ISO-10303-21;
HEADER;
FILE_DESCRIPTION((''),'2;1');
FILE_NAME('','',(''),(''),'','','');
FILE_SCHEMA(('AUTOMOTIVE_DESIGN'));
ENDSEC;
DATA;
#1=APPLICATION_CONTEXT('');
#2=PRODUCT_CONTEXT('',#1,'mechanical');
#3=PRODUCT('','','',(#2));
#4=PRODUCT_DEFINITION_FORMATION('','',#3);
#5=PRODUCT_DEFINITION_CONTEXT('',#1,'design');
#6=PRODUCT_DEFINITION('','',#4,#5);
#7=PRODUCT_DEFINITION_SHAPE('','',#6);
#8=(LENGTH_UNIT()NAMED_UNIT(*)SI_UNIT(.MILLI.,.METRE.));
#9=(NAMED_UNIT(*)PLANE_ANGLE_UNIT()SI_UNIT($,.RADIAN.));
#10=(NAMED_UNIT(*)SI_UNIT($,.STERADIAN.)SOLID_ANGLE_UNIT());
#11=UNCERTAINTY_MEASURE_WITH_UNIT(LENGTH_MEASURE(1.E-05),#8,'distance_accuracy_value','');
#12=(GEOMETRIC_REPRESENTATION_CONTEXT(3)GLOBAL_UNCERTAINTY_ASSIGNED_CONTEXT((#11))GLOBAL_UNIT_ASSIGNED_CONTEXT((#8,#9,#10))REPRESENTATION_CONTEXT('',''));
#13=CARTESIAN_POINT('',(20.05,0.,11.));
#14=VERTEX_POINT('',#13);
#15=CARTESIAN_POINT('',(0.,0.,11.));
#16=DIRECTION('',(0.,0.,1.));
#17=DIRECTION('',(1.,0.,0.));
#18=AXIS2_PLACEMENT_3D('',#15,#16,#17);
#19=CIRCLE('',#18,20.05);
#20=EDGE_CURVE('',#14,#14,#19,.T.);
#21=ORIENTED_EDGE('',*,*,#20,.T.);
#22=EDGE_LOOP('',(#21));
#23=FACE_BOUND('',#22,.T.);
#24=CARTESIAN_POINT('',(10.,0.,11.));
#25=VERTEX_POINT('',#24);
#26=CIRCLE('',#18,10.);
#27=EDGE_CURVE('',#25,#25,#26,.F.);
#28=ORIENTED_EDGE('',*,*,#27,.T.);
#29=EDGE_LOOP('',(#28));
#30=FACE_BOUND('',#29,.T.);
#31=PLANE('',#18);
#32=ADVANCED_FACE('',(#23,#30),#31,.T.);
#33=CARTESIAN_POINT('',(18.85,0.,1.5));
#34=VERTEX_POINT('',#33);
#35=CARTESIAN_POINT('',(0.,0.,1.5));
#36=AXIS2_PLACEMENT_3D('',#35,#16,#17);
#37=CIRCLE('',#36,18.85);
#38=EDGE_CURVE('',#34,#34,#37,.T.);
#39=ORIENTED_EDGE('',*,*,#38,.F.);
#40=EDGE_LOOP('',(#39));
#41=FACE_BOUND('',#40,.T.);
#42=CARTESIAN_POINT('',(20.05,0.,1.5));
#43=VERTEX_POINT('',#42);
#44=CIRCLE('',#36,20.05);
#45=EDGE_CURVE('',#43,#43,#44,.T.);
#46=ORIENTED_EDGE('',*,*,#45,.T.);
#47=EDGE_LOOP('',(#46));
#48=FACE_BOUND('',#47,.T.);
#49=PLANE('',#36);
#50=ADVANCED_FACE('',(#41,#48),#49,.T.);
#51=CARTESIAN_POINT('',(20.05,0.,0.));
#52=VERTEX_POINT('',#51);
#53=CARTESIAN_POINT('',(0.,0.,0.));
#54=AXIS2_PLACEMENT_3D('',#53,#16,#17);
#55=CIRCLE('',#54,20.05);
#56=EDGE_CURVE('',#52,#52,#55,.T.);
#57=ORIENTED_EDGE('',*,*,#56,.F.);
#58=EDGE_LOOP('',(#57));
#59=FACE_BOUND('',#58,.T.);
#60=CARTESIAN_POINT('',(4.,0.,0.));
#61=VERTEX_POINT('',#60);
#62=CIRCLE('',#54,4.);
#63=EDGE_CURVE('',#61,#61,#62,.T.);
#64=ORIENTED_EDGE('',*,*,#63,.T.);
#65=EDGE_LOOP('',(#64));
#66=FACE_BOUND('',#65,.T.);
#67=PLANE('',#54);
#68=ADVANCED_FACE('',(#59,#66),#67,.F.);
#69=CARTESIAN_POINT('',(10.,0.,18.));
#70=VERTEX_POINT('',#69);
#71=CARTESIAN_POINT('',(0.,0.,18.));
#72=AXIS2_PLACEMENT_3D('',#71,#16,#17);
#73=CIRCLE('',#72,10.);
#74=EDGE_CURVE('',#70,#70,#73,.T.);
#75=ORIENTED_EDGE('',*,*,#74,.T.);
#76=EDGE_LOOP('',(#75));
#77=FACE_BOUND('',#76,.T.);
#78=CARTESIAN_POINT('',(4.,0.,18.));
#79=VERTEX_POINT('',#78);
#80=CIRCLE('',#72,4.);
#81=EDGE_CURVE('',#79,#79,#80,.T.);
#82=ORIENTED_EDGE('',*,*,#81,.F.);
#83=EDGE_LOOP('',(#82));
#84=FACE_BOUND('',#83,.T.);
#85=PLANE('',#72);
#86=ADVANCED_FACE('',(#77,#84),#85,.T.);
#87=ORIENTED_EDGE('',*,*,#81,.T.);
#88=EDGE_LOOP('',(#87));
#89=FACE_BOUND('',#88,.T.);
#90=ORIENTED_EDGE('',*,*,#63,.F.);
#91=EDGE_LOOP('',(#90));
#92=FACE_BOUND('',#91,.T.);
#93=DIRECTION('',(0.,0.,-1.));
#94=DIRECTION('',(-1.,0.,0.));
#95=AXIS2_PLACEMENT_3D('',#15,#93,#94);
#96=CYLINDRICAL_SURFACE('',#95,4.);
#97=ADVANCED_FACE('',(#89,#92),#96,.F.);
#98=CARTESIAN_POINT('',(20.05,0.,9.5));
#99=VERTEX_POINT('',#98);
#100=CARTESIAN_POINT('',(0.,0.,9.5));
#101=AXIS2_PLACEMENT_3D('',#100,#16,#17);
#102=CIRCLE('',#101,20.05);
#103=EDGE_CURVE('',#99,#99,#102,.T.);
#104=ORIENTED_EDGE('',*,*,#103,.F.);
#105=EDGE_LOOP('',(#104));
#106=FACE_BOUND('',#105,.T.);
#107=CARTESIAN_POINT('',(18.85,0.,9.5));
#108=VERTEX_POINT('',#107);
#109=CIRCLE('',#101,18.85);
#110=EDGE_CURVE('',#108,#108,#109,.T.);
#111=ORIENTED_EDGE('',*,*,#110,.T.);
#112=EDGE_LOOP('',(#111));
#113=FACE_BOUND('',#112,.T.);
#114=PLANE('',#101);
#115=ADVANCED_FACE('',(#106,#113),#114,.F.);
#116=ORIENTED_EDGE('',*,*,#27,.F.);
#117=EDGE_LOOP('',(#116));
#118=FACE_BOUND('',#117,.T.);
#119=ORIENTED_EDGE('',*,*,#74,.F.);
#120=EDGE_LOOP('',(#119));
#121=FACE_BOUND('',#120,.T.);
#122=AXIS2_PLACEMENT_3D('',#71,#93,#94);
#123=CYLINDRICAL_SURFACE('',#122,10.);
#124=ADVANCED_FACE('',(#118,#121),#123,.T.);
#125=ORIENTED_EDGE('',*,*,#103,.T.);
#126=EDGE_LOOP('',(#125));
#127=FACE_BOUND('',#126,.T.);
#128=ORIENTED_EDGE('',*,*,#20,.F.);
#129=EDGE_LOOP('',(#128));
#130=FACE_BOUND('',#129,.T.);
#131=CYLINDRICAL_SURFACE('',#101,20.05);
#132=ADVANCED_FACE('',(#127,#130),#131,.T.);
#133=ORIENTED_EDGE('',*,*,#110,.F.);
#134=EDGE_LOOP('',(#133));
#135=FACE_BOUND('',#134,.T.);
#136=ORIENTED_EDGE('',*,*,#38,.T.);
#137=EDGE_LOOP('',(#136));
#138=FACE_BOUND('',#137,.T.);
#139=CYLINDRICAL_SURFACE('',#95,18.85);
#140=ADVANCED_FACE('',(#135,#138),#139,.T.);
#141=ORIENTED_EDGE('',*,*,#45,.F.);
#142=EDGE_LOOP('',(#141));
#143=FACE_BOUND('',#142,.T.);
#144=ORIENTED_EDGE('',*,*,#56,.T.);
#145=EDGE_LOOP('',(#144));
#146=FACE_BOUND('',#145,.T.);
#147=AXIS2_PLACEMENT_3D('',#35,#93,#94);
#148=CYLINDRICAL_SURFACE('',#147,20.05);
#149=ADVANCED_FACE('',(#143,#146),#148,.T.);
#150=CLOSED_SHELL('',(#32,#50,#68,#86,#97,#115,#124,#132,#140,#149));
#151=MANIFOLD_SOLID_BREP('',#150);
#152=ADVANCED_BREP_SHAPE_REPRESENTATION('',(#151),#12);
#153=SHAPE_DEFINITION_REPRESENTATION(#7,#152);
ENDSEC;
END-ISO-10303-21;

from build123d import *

# Parameters (mm, degrees)
SKETCH1_R           = 18.85
SKETCH1_R_2         = 4
BOSS_EXTRUDE1_DEPTH = 11
SKETCH1_3_R         = 20.05
SKETCH1_3_R_2       = 18.85
BOSS_EXTRUDE2_DEPTH = 1.5
BOSS_EXTRUDE3_START = 9.5
SKETCH1_4_R         = 20.05
SKETCH1_4_R_2       = 18.85
BOSS_EXTRUDE3_DEPTH = 1.5
SKETCH1_5_R         = 10
SKETCH1_5_R_2       = 4
BOSS_EXTRUDE4_DEPTH = 18


with BuildPart() as part:
    # Sketch1 → Boss-Extrude1 (new body)
    with BuildSketch(Plane.XY):
        Circle(SKETCH1_R)
        Circle(SKETCH1_R_2, mode=Mode.SUBTRACT)
    extrude(amount=BOSS_EXTRUDE1_DEPTH)

    # Sketch1<3> → Boss-Extrude2 (add)
    with BuildSketch(Plane.XY):
        Circle(SKETCH1_3_R)
        Circle(SKETCH1_3_R_2, mode=Mode.SUBTRACT)
    extrude(amount=BOSS_EXTRUDE2_DEPTH)

    # Sketch1<4> → Boss-Extrude3 (add)
    with BuildSketch(Plane.XY.offset(BOSS_EXTRUDE3_START)):
        Circle(SKETCH1_4_R)
        Circle(SKETCH1_4_R_2, mode=Mode.SUBTRACT)
    extrude(amount=BOSS_EXTRUDE3_DEPTH)

    # Sketch1<5> → Boss-Extrude4 (add)
    with BuildSketch(Plane.XY):
        Circle(SKETCH1_5_R)
        Circle(SKETCH1_5_R_2, mode=Mode.SUBTRACT)
    extrude(amount=BOSS_EXTRUDE4_DEPTH)


solid = part.part
